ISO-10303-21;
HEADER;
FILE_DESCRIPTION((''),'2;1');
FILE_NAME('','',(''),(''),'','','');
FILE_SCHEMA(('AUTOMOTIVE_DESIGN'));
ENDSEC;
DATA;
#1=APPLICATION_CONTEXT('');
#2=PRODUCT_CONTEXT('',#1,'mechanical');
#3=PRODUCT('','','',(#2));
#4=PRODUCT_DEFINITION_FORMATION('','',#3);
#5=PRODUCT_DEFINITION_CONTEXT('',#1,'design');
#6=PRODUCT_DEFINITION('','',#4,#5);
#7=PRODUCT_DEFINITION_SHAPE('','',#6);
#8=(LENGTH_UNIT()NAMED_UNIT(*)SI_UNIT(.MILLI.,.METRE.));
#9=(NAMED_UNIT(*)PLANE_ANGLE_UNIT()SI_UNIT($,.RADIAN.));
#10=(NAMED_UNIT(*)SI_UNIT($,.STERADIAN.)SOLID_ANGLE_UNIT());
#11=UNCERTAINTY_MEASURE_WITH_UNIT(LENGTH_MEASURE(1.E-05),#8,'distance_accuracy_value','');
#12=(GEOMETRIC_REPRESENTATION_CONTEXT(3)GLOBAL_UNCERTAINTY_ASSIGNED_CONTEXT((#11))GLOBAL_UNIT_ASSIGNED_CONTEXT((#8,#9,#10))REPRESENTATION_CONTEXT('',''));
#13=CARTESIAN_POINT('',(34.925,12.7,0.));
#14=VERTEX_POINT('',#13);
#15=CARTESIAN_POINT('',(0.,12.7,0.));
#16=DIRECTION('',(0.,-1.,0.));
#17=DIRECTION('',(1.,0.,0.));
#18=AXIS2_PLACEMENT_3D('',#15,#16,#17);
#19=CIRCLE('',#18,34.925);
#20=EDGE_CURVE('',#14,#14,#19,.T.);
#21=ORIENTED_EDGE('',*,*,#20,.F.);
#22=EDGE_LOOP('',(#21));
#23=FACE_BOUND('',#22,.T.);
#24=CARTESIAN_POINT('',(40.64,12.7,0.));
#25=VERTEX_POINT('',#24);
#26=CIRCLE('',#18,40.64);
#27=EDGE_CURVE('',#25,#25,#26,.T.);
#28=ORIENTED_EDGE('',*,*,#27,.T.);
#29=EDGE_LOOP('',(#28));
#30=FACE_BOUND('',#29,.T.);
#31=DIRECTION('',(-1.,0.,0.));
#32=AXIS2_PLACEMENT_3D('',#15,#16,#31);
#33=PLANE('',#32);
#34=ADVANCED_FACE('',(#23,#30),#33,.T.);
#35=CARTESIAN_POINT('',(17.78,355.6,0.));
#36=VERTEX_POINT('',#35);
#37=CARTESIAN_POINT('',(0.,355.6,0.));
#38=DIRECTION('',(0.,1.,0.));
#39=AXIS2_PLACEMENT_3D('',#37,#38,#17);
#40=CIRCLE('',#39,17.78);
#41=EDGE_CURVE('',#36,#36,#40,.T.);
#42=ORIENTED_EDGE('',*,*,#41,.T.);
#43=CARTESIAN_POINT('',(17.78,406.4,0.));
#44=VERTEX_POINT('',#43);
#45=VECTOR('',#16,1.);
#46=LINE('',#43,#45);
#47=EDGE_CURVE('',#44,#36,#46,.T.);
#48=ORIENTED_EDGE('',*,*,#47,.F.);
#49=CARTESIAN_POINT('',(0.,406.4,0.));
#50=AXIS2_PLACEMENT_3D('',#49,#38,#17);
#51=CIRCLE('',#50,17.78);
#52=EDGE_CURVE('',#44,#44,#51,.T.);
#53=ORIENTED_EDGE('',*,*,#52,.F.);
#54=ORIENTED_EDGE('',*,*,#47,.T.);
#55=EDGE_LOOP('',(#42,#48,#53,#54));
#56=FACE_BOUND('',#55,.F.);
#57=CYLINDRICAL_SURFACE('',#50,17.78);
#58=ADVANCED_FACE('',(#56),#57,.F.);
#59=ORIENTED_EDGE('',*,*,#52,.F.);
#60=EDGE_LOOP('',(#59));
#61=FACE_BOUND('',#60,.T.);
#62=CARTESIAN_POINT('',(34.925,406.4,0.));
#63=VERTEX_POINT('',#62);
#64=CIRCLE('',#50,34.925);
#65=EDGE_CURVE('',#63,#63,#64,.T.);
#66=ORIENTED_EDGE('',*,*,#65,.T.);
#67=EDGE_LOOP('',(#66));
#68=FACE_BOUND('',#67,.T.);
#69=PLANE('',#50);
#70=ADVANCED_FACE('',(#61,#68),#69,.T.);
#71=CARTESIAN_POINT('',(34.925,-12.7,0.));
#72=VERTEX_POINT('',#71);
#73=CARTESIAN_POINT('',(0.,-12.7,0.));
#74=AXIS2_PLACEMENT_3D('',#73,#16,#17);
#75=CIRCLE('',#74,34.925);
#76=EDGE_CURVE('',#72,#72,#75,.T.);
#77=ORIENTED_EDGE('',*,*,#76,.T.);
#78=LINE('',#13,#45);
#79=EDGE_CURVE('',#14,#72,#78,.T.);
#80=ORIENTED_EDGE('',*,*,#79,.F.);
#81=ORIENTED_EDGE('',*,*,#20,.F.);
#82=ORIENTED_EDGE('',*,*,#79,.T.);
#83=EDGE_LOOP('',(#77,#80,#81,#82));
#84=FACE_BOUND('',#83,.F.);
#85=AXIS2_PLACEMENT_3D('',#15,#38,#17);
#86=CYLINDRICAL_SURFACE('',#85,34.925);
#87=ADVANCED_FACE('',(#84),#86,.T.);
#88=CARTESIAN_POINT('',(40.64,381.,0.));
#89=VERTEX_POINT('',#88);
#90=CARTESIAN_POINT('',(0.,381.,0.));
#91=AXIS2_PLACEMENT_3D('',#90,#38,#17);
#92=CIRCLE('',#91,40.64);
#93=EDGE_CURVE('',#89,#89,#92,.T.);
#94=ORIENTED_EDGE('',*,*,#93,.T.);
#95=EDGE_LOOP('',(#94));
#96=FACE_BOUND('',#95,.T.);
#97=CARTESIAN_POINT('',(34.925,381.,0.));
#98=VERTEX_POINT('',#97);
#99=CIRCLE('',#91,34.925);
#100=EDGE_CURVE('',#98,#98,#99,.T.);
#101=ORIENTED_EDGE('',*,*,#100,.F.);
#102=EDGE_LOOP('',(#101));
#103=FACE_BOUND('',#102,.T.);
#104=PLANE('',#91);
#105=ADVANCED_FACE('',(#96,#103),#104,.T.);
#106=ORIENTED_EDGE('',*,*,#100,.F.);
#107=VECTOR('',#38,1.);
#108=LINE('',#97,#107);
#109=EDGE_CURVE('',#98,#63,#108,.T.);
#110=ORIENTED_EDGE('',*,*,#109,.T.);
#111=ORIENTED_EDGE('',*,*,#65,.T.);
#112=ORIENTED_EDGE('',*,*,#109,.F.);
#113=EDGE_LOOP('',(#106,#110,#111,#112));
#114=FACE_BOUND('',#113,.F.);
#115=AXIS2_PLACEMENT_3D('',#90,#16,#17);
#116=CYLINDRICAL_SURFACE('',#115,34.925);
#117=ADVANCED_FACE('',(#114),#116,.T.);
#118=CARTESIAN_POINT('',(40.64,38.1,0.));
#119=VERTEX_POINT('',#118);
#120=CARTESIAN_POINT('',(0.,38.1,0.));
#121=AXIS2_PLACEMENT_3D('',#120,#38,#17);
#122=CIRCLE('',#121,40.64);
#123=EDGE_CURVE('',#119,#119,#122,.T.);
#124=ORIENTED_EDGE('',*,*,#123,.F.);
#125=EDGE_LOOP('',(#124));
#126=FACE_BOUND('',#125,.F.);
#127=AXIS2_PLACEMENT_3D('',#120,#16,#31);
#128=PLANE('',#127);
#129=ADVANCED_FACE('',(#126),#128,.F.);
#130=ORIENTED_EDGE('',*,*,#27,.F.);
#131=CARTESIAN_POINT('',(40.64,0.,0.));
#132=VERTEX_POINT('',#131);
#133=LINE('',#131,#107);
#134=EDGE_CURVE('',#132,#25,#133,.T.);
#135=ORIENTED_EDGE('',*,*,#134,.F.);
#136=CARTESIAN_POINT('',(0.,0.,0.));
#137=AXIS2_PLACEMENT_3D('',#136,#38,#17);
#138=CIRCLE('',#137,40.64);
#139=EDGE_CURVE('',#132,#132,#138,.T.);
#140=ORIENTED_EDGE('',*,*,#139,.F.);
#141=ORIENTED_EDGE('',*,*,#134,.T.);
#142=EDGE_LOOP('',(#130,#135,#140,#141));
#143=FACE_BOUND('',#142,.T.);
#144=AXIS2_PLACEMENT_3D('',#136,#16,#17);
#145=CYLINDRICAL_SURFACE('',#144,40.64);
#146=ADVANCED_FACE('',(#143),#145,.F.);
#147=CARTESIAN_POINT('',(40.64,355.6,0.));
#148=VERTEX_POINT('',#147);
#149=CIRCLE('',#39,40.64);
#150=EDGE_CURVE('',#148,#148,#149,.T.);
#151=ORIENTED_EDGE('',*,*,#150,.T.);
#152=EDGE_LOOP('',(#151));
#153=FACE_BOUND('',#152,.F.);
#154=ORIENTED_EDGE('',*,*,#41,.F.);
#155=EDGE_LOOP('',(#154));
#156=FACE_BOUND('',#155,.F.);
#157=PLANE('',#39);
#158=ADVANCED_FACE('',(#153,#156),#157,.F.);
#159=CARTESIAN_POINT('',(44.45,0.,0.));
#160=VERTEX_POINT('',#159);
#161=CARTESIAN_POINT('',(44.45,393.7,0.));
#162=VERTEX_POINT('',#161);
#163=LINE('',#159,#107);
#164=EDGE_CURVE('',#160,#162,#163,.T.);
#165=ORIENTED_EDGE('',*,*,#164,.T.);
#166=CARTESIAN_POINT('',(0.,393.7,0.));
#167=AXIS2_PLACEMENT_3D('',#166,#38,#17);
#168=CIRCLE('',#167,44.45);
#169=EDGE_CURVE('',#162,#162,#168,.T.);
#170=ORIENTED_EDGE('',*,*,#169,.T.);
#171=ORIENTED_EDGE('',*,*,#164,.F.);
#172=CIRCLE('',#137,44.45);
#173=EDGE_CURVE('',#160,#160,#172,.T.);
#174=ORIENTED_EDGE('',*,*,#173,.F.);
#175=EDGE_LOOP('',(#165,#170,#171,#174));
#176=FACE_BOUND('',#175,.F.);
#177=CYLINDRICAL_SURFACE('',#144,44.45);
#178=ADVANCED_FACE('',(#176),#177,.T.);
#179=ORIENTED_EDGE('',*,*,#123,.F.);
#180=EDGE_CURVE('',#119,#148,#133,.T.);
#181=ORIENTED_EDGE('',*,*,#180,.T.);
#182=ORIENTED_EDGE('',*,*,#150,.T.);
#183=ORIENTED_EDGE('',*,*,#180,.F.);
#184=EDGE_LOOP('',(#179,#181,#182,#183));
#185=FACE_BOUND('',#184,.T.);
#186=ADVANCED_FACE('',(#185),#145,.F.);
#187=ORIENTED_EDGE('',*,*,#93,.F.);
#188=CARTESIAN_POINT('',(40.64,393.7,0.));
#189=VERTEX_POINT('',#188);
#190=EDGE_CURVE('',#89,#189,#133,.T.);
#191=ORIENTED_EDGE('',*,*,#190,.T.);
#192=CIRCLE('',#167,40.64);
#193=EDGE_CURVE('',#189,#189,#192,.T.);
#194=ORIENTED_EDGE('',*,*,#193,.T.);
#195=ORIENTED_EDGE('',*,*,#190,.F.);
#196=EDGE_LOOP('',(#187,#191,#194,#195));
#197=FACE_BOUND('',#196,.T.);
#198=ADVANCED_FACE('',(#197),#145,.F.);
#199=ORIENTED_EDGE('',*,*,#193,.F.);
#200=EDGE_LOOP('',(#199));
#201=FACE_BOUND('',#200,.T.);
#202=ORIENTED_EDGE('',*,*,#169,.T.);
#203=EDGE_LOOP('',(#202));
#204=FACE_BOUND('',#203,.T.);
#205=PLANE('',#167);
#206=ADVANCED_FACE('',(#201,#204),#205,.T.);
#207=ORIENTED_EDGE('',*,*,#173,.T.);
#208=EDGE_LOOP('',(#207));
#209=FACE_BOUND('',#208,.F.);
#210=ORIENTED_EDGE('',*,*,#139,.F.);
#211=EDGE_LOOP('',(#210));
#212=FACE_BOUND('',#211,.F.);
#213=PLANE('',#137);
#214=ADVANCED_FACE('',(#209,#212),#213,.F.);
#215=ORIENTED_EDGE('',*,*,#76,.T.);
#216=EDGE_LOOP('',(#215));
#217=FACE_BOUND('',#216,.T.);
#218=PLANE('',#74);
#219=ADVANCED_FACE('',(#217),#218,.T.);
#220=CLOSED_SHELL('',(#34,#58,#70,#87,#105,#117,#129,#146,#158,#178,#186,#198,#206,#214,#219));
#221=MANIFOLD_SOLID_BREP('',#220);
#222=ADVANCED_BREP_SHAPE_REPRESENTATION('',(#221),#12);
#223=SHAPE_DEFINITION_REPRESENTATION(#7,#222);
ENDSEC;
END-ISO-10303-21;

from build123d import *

# Parameters (mm, degrees)
SKETCH1_R           = 44.45
SKETCH1_R_2         = 40.64
BOSS_EXTRUDE1_DEPTH = 393.7
SKETCH3_R           = 40.64
BOSS_EXTRUDE2_DEPTH = 25.4
SKETCH4_R           = 34.925
BOSS_EXTRUDE3_DEPTH = 25.4
SKETCH6_R           = 40.64
BOSS_EXTRUDE4_DEPTH = 25.4
SKETCH7_R           = 34.925
BOSS_EXTRUDE5_DEPTH = 25.4
SKETCH9_R           = 17.78
CUT_EXTRUDE1_DEPTH  = 152.4


with BuildPart() as part:
    # Sketch1 → Boss-Extrude1 (new body)
    with BuildSketch(Plane(origin=(0, 0, 0), x_dir=(1, 0, 0), z_dir=(0, 1, 0))):
        Circle(SKETCH1_R)
        Circle(SKETCH1_R_2, mode=Mode.SUBTRACT)
    extrude(amount=BOSS_EXTRUDE1_DEPTH)

    # Sketch3 → Boss-Extrude2 (add)
    with BuildSketch(Plane(origin=(0, 355.6, 0), x_dir=(1, 0, 0), z_dir=(0, 1, 0))):
        Circle(SKETCH3_R)
    extrude(amount=BOSS_EXTRUDE2_DEPTH)

    # Sketch4 → Boss-Extrude3 (add)
    with BuildSketch(Plane(origin=(0, 381, 0), x_dir=(1, 0, 0), z_dir=(0, 1, 0))):
        Circle(SKETCH4_R)
    extrude(amount=BOSS_EXTRUDE3_DEPTH)

    # Sketch6 → Boss-Extrude4 (add)
    with BuildSketch(Plane(origin=(0, 38.1, 0), x_dir=(-1, 0, 0), z_dir=(0, -1, 0))):
        Circle(SKETCH6_R)
    extrude(amount=BOSS_EXTRUDE4_DEPTH)

    # Sketch7 → Boss-Extrude5 (add)
    with BuildSketch(Plane.XZ.offset(-12.7)):
        Circle(SKETCH7_R)
    extrude(amount=BOSS_EXTRUDE5_DEPTH)

    # Sketch9 → Cut-Extrude1 (cut)
    with BuildSketch(Plane(origin=(0, 406.4, 0), x_dir=(1, 0, 0), z_dir=(0, 1, 0))):
        Circle(SKETCH9_R)
    extrude(amount=-CUT_EXTRUDE1_DEPTH, mode=Mode.SUBTRACT)


solid = part.part
